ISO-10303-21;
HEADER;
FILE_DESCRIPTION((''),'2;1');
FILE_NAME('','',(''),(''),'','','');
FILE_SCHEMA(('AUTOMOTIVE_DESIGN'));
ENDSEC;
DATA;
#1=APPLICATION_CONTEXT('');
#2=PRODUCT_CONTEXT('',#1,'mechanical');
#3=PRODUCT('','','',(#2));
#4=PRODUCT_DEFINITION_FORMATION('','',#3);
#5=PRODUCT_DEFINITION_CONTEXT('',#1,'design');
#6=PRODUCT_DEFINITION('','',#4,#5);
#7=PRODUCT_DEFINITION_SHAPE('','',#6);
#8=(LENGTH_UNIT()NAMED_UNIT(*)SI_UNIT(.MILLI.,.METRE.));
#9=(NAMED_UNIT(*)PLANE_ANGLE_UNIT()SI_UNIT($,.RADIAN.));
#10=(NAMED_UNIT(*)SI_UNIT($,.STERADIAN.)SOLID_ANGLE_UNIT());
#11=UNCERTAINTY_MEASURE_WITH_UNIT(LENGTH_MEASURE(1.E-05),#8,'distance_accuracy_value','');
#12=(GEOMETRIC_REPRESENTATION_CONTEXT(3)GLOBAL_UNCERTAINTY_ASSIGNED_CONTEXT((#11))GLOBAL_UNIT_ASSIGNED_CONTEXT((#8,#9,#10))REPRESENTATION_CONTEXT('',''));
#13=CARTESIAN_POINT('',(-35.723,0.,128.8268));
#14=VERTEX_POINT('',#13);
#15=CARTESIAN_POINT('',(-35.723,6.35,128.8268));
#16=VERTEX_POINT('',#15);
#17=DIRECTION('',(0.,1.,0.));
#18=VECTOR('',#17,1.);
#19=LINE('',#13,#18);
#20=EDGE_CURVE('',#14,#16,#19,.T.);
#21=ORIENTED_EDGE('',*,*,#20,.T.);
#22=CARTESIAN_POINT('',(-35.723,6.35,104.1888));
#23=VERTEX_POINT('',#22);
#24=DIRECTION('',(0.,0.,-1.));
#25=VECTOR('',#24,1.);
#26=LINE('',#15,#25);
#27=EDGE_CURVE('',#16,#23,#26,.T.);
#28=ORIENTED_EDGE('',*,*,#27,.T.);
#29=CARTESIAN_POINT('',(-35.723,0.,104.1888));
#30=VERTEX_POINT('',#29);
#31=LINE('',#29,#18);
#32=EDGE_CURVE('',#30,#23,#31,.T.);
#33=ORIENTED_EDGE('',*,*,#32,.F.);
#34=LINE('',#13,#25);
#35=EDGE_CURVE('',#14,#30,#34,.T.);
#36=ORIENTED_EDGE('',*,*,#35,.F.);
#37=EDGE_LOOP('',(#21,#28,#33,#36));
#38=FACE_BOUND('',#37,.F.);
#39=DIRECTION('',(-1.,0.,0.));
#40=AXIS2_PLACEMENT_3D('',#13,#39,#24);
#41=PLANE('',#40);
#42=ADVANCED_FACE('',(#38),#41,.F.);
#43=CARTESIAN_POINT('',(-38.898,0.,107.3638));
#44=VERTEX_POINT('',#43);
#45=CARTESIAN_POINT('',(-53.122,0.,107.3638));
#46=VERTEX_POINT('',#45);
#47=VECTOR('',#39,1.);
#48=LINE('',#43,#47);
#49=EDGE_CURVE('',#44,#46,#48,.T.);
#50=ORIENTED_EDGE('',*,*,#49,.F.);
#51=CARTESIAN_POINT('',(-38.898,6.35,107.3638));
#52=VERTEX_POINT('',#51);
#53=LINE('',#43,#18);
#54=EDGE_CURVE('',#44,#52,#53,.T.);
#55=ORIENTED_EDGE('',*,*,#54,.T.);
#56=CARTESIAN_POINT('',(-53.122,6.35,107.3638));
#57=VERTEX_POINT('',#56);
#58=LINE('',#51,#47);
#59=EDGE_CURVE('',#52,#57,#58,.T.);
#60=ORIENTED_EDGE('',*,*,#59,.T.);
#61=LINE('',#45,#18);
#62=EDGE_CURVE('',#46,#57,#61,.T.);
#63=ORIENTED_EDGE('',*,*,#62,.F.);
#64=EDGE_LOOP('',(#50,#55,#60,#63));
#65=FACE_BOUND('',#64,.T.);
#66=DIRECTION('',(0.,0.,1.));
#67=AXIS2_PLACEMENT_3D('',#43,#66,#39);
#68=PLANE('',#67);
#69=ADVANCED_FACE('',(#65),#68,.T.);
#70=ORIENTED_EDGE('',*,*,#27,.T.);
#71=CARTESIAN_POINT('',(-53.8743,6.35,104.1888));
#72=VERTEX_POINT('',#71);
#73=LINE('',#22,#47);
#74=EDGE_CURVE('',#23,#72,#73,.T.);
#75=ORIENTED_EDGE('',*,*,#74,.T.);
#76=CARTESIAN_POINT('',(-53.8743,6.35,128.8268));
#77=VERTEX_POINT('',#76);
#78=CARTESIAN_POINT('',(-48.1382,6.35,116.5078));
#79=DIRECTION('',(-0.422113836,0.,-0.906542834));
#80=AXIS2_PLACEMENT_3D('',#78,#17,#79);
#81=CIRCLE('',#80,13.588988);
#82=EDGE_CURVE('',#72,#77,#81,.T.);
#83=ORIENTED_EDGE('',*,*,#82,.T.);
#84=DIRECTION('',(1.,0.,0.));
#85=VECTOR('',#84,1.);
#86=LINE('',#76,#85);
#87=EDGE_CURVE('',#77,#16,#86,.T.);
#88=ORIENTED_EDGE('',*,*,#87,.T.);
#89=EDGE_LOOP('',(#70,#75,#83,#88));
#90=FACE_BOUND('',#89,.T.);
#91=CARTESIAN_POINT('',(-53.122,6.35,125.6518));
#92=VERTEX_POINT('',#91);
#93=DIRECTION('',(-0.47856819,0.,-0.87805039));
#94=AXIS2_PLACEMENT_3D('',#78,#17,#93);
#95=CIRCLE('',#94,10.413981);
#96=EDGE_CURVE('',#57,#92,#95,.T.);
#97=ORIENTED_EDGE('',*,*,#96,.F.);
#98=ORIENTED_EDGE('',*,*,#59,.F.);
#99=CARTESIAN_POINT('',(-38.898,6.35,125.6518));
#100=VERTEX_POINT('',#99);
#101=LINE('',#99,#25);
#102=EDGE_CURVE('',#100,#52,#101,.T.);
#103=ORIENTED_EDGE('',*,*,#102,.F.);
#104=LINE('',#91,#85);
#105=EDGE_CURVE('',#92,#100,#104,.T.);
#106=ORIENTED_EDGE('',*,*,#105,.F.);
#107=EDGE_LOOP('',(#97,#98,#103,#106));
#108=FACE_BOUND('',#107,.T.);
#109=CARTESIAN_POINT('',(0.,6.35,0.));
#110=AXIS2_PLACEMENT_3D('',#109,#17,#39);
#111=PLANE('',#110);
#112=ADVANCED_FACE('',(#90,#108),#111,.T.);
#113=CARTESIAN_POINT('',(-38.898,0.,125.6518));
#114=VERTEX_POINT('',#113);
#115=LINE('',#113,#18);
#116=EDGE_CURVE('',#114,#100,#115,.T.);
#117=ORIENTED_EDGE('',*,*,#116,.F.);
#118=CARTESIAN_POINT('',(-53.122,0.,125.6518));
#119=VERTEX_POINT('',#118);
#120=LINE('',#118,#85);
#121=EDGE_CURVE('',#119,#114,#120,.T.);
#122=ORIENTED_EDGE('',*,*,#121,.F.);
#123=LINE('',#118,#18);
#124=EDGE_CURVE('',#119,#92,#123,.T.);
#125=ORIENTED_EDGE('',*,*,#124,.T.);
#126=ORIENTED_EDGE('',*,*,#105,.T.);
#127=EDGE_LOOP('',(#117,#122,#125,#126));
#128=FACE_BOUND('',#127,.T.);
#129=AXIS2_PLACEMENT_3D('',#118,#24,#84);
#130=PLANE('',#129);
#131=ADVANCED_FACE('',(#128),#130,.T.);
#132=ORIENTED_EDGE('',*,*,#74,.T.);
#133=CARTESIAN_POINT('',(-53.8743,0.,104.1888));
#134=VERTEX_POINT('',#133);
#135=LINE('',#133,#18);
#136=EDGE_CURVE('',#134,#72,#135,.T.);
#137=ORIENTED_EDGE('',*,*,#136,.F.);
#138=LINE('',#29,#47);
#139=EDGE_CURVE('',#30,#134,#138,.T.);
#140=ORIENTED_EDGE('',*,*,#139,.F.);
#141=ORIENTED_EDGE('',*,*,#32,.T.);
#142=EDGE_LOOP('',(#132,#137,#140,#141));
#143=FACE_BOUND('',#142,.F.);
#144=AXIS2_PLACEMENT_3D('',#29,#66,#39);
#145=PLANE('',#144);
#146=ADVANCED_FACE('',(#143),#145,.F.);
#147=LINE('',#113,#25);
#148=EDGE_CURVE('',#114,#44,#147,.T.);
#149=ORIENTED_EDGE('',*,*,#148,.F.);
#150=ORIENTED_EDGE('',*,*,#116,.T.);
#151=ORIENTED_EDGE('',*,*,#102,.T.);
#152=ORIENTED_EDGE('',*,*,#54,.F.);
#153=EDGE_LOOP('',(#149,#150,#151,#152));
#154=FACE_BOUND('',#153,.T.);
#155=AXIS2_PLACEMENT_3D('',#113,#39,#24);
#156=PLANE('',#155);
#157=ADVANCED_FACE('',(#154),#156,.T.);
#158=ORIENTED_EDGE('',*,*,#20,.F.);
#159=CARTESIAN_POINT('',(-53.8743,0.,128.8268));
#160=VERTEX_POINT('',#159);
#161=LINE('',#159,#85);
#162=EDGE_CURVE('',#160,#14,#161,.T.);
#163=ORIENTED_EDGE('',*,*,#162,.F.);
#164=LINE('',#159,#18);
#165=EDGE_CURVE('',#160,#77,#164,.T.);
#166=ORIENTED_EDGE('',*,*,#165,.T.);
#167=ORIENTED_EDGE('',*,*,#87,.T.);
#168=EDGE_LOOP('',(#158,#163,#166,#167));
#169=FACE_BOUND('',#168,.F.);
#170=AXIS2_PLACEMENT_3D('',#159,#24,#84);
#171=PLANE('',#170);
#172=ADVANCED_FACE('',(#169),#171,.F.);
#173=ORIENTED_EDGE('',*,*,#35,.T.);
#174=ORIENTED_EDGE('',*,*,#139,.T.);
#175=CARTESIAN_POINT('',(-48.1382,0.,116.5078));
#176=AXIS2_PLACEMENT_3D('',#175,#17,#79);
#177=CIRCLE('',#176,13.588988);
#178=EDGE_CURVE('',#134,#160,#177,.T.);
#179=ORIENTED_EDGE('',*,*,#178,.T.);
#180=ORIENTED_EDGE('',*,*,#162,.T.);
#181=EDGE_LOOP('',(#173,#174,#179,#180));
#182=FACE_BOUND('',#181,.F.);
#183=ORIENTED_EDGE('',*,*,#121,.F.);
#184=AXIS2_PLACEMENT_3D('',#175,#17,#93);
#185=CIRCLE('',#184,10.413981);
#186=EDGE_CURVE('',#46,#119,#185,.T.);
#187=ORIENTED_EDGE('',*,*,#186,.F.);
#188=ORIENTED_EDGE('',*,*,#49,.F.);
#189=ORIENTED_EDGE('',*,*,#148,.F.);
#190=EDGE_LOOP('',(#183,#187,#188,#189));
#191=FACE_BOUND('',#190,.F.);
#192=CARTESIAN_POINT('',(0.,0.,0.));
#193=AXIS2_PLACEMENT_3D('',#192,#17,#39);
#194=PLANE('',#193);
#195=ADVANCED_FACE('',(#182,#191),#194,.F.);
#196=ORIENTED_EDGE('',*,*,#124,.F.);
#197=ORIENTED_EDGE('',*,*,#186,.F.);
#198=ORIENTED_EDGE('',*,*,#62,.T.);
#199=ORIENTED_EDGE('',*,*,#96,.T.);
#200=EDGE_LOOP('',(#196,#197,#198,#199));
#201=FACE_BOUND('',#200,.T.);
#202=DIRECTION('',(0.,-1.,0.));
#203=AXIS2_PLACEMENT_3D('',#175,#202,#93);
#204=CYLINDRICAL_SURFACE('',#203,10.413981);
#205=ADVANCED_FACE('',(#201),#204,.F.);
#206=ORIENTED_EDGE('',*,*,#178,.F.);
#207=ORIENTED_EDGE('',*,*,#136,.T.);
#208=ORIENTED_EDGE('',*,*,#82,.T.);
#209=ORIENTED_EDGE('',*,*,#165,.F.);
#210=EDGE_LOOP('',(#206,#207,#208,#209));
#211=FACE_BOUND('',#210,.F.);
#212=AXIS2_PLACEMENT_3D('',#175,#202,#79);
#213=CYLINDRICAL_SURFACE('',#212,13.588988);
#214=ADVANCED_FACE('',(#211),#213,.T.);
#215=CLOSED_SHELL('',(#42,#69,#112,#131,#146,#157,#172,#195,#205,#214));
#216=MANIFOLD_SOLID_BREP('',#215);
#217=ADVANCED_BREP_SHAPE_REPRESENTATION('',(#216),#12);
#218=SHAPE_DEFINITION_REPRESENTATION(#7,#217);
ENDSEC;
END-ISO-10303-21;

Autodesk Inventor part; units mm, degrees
ref_plane "YZ Plane" through (0, 0, 0) normal (1, 0, 0) x (0, 1, 0)
ref_plane "XZ Plane" through (0, 0, 0) normal (0, 1, 0) x (-1, 0, 0)
ref_plane "XY Plane" through (0, 0, 0) normal (0, 0, 1) x (1, 0, 0)
sketch "Sketch1" plane through (0, 0, 0) normal (0, 1, 0) x (-1, 0, 0)
  line L0 (53.122, 125.6518) -> (38.898, 125.6518)
  line L1 (38.898, 125.6518) -> (38.898, 107.3638)
  line L2 (38.898, 107.3638) -> (53.122, 107.3638)
  arc A0 (53.122, 107.3638) -> (53.122, 125.6518) centre (48.1382, 116.5078) ccw
  line L3 (51.0559, 55.1199) -> (37.0859, 55.1199)
  line L4 (37.0859, 55.1199) -> (37.0859, 37.0859)
  line L5 (37.0859, 37.0859) -> (51.0559, 37.0859)
  arc A1 (51.0559, 37.0859) -> (51.0559, 55.1199) centre (39.6314, 46.1029) ccw
  line L6 (61.7452, 17.3999) -> (47.7752, 17.3999)
  line L7 (47.7752, 17.3999) -> (47.7752, -0.6341)
  line L8 (47.7752, -0.6341) -> (61.7452, -0.6341)
  arc A2 (61.7452, -0.6341) -> (61.7452, 17.3999) centre (49.459, 8.3829) ccw
  line L9 (89.1373, 73.7746) -> (75.1673, 73.7746)
  line L10 (75.1673, 73.7746) -> (75.1673, 55.7406)
  line L11 (75.1673, 55.7406) -> (89.1373, 55.7406)
  arc A3 (89.1373, 55.7406) -> (89.1373, 73.7746) centre (83.9272, 64.7576) ccw
  line L12 (52.5031, 58.2949) -> (33.9109, 58.2949)
  line L13 (33.9109, 58.2949) -> (33.9109, 33.9109)
  line L14 (33.9109, 33.9109) -> (52.5031, 33.9109)
  arc A4 (52.5031, 33.9109) -> (52.5031, 58.2949) centre (39.6314, 46.1029) ccw
  line L15 (53.8743, 128.8268) -> (35.723, 128.8268)
  line L16 (35.723, 128.8268) -> (35.723, 104.1888)
  line L17 (35.723, 104.1888) -> (53.8743, 104.1888)
  arc A5 (53.8743, 104.1888) -> (53.8743, 128.8268) centre (48.1382, 116.5078) ccw
  line L18 (63.26, 20.5749) -> (44.6002, 20.5749)
  line L19 (44.6002, 20.5749) -> (44.6002, -3.8091)
  line L20 (44.6002, -3.8091) -> (63.26, -3.8091)
  arc A6 (63.26, -3.8091) -> (63.26, 20.5749) centre (49.459, 8.3829) ccw
  line L21 (89.9285, 52.5656) -> (71.9923, 52.5656)
  line L22 (71.9923, 52.5656) -> (71.9923, 76.9496)
  line L23 (71.9923, 76.9496) -> (89.9285, 76.9496)
  arc A7 (89.9285, 52.5656) -> (89.9285, 76.9496) centre (83.9272, 64.7576) ccw
  point P0 (0, 0)
  dimension "d0" = 10.414
  dimension "d1" = 14.224
  dimension "d2" = 18.288
  dimension "d3" = 14.5542
  dimension "d4" = 13.97
  dimension "d5" = 18.034
  dimension "d6" = 15.24
  dimension "d7" = 13.97
  dimension "d8" = 18.034
  dimension "d10" = 13.97
  dimension "d11" = 18.034
  dimension "d13" = 3.175
  dimension "d14" = 3.175
  dimension "d15" = 3.175
  dimension "d19" = 10.414
  dimension "d20" = 3.175
extrude "Extrusion2" add sketch "Sketch1" along normal blind 6.35 contours A5 L17 L16 L15
properties part number "truck_sizings"
